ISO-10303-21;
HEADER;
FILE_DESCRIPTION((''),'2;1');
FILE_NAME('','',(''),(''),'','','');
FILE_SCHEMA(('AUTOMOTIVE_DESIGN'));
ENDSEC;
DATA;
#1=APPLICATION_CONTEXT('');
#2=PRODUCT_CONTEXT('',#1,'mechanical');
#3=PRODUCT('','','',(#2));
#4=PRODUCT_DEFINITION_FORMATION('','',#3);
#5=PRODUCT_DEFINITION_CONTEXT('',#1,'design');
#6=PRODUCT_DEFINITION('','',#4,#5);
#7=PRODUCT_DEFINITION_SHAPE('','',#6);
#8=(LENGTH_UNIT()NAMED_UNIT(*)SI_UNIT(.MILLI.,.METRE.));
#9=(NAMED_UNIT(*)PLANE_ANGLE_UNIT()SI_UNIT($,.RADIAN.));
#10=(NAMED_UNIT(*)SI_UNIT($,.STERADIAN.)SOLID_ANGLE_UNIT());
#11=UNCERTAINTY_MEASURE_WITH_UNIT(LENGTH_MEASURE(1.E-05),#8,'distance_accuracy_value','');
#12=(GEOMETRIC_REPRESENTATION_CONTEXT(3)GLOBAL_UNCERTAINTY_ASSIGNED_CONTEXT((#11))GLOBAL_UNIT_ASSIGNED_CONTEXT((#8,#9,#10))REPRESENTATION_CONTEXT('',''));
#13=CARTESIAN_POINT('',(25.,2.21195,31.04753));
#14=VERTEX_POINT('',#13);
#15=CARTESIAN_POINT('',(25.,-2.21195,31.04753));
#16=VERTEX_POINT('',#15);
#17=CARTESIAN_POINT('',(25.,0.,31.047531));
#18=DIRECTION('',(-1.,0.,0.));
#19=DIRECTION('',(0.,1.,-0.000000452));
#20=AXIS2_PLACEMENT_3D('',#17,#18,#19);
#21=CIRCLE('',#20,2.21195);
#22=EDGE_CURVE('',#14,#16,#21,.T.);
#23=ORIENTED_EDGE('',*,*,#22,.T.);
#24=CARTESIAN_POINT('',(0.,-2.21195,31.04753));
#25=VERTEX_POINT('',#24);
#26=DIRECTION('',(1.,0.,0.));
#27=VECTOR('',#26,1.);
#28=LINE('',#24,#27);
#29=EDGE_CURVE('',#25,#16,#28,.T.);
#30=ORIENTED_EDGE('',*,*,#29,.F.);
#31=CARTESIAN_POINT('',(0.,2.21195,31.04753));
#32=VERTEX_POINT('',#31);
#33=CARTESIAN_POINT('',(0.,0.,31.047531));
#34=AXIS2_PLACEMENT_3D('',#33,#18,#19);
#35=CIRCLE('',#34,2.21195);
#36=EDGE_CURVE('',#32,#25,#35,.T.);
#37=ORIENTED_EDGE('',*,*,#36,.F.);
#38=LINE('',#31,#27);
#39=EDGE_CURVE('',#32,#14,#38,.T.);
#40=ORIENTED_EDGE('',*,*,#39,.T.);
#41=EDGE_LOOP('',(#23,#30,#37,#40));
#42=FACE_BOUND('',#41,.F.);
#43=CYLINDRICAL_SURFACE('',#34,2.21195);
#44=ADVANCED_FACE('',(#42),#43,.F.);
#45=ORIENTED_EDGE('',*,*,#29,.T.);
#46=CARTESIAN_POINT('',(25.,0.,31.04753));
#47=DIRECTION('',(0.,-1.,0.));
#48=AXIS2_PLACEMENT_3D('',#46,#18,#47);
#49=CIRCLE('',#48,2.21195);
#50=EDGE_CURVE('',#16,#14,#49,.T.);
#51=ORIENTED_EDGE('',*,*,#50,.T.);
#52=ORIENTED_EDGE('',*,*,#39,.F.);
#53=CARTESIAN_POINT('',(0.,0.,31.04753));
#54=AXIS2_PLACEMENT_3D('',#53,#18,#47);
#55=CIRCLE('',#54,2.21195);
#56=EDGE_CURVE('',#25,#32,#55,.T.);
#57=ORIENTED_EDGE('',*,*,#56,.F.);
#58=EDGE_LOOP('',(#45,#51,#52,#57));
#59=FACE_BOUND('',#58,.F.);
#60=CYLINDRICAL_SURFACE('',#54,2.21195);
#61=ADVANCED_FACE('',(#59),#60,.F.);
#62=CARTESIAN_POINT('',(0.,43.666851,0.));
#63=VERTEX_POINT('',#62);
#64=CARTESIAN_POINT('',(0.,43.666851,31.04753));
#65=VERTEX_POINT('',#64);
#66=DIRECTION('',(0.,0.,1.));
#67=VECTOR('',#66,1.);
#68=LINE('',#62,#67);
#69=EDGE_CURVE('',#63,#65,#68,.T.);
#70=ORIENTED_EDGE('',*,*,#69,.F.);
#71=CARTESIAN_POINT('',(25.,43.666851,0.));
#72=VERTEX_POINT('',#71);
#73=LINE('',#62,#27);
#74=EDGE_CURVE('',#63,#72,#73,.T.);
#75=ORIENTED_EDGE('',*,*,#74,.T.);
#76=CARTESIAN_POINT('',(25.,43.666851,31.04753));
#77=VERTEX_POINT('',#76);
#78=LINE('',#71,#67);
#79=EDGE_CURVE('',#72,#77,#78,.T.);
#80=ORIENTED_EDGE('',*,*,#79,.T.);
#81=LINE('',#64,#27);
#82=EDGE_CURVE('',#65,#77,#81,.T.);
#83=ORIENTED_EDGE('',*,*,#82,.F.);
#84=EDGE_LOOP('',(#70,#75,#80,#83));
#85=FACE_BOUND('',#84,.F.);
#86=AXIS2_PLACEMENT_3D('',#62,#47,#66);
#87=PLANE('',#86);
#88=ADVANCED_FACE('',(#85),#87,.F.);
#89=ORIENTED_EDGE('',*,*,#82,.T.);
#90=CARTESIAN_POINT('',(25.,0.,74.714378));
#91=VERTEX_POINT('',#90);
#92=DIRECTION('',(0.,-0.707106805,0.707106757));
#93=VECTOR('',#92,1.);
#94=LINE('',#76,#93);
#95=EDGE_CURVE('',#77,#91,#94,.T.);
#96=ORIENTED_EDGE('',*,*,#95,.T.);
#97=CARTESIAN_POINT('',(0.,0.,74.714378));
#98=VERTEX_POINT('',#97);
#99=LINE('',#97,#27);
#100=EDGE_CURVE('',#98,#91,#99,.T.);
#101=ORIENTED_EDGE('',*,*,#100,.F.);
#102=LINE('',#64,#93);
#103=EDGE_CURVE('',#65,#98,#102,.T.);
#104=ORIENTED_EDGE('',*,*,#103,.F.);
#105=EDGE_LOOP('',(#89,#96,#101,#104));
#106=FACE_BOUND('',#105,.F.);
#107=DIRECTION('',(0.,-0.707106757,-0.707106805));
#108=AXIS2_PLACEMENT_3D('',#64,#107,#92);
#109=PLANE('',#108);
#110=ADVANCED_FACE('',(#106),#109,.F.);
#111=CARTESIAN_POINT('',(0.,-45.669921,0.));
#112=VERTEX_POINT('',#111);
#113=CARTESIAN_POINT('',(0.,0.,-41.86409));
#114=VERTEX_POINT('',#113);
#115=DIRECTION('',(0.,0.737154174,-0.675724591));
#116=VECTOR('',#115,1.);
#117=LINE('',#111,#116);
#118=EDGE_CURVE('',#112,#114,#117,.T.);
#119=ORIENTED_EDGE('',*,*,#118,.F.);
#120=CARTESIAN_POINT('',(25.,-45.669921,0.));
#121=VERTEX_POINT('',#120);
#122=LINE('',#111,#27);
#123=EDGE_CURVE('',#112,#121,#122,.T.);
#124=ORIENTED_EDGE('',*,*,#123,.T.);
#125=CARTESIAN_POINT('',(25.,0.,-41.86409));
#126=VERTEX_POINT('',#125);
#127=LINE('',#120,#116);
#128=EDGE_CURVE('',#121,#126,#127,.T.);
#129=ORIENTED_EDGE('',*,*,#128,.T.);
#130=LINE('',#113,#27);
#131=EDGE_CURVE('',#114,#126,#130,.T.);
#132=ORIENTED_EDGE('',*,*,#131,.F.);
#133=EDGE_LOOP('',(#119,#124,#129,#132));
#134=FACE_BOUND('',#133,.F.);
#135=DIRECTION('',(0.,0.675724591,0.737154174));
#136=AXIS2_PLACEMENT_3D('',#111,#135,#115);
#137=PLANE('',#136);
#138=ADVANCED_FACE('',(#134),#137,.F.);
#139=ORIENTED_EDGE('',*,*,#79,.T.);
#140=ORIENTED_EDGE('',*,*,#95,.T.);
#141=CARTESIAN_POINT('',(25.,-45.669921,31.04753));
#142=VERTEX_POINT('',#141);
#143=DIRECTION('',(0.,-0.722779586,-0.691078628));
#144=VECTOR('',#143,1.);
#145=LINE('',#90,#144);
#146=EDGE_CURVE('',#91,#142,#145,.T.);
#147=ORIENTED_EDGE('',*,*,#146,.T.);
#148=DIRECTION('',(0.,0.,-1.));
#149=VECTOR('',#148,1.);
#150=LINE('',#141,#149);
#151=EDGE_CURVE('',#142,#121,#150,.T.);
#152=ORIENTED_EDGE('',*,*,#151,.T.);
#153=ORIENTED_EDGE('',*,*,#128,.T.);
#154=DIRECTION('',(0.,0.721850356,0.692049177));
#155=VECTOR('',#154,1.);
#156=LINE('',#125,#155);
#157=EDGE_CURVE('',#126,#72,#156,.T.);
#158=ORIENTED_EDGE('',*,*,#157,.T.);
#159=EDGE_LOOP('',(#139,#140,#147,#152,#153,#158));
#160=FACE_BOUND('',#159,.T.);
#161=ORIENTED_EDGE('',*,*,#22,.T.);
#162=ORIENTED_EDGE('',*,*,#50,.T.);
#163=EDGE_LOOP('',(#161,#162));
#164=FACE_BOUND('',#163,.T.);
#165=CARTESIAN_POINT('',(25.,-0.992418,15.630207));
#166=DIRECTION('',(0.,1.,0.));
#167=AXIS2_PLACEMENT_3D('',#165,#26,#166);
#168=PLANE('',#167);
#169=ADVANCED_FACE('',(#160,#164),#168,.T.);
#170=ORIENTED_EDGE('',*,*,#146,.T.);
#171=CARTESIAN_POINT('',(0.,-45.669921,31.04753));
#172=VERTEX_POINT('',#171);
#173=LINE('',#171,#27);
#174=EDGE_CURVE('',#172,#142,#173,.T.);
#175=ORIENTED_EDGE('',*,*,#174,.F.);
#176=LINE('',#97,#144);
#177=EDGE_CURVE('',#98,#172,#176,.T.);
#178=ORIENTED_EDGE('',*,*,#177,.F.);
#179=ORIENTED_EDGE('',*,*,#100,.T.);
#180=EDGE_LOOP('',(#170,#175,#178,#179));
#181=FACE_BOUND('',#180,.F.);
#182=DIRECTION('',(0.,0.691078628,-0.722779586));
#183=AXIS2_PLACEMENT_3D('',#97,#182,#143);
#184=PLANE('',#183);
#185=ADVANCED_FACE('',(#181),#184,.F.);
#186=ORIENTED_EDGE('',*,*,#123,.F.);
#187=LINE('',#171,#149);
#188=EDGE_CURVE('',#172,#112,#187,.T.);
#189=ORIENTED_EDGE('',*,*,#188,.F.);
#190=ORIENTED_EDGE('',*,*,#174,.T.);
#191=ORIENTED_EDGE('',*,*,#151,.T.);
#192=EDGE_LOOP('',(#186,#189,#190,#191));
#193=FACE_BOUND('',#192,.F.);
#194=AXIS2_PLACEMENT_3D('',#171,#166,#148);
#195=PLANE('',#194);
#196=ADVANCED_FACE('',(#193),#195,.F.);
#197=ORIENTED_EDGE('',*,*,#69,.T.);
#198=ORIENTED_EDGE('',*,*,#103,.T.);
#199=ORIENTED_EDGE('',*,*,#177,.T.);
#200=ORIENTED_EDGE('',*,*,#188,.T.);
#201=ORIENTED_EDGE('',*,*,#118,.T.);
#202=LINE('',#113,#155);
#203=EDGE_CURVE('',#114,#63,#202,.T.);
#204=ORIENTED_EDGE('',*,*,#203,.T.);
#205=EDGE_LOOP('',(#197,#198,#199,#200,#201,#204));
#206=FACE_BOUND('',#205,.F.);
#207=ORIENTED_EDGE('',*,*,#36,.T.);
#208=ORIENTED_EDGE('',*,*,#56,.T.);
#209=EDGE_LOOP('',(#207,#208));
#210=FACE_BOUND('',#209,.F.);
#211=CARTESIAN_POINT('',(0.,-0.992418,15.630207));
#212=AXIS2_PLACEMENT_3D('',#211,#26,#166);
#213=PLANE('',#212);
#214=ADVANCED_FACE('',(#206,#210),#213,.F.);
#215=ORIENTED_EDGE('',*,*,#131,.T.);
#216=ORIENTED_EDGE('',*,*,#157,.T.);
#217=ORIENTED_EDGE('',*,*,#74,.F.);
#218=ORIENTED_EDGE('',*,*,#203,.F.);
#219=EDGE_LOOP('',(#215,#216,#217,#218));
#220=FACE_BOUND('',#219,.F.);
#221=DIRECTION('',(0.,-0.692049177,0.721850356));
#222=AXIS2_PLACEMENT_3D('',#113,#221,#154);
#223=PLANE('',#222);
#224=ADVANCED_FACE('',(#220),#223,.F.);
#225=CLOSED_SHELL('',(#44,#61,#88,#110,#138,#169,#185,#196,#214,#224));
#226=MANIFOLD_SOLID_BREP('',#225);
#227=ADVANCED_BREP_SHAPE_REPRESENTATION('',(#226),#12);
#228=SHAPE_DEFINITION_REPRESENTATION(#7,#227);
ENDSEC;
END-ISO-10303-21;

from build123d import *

# Parameters (mm, degrees)
F1_DEPTH = 25
F2_DEPTH = 25


with BuildPart() as f1:
    # F0 (on Right) → F1 (new body)
    with BuildSketch(Plane.YZ):
        with BuildLine():
            Line((-45.669921, 31.04753), (-45.669921, 0))
            Line((-45.669921, 0), (43.666851, 0))
            Line((43.666851, 0), (43.666851, 31.04753))
            Line((43.666851, 31.04753), (2.21195, 31.04753))
            ThreePointArc((2.21195, 31.04753), (0, 28.835581), (-2.21195, 31.04753))
            Line((-2.21195, 31.04753), (-45.669921, 31.04753))
        make_face()
        Polygon((43.666851, 0), (-45.669921, 0), (0, -41.86409), align=None)
    extrude(amount=F1_DEPTH)

    # F0 (on Right) → F2 (join)
    with BuildSketch(Plane.YZ):
        with BuildLine():
            Line((-45.669921, 31.04753), (-45.669921, 0))
            Line((-45.669921, 0), (43.666851, 0))
            Line((43.666851, 0), (43.666851, 31.04753))
            Line((43.666851, 31.04753), (2.21195, 31.04753))
            ThreePointArc((2.21195, 31.04753), (0, 28.835581), (-2.21195, 31.04753))
            Line((-2.21195, 31.04753), (-45.669921, 31.04753))
        make_face()
        Polygon((43.666851, 0), (-45.669921, 0), (0, -41.86409), align=None)
        with BuildLine():
            Line((0, 74.714378), (-45.669921, 31.04753))
            Line((-45.669921, 31.04753), (-2.21195, 31.04753))
            ThreePointArc((-2.21195, 31.04753), (0, 33.25948), (2.21195, 31.04753))
            Line((2.21195, 31.04753), (43.666851, 31.04753))
            Line((43.666851, 31.04753), (0, 74.714378))
        make_face()
    extrude(amount=F2_DEPTH)


solid = f1.part
